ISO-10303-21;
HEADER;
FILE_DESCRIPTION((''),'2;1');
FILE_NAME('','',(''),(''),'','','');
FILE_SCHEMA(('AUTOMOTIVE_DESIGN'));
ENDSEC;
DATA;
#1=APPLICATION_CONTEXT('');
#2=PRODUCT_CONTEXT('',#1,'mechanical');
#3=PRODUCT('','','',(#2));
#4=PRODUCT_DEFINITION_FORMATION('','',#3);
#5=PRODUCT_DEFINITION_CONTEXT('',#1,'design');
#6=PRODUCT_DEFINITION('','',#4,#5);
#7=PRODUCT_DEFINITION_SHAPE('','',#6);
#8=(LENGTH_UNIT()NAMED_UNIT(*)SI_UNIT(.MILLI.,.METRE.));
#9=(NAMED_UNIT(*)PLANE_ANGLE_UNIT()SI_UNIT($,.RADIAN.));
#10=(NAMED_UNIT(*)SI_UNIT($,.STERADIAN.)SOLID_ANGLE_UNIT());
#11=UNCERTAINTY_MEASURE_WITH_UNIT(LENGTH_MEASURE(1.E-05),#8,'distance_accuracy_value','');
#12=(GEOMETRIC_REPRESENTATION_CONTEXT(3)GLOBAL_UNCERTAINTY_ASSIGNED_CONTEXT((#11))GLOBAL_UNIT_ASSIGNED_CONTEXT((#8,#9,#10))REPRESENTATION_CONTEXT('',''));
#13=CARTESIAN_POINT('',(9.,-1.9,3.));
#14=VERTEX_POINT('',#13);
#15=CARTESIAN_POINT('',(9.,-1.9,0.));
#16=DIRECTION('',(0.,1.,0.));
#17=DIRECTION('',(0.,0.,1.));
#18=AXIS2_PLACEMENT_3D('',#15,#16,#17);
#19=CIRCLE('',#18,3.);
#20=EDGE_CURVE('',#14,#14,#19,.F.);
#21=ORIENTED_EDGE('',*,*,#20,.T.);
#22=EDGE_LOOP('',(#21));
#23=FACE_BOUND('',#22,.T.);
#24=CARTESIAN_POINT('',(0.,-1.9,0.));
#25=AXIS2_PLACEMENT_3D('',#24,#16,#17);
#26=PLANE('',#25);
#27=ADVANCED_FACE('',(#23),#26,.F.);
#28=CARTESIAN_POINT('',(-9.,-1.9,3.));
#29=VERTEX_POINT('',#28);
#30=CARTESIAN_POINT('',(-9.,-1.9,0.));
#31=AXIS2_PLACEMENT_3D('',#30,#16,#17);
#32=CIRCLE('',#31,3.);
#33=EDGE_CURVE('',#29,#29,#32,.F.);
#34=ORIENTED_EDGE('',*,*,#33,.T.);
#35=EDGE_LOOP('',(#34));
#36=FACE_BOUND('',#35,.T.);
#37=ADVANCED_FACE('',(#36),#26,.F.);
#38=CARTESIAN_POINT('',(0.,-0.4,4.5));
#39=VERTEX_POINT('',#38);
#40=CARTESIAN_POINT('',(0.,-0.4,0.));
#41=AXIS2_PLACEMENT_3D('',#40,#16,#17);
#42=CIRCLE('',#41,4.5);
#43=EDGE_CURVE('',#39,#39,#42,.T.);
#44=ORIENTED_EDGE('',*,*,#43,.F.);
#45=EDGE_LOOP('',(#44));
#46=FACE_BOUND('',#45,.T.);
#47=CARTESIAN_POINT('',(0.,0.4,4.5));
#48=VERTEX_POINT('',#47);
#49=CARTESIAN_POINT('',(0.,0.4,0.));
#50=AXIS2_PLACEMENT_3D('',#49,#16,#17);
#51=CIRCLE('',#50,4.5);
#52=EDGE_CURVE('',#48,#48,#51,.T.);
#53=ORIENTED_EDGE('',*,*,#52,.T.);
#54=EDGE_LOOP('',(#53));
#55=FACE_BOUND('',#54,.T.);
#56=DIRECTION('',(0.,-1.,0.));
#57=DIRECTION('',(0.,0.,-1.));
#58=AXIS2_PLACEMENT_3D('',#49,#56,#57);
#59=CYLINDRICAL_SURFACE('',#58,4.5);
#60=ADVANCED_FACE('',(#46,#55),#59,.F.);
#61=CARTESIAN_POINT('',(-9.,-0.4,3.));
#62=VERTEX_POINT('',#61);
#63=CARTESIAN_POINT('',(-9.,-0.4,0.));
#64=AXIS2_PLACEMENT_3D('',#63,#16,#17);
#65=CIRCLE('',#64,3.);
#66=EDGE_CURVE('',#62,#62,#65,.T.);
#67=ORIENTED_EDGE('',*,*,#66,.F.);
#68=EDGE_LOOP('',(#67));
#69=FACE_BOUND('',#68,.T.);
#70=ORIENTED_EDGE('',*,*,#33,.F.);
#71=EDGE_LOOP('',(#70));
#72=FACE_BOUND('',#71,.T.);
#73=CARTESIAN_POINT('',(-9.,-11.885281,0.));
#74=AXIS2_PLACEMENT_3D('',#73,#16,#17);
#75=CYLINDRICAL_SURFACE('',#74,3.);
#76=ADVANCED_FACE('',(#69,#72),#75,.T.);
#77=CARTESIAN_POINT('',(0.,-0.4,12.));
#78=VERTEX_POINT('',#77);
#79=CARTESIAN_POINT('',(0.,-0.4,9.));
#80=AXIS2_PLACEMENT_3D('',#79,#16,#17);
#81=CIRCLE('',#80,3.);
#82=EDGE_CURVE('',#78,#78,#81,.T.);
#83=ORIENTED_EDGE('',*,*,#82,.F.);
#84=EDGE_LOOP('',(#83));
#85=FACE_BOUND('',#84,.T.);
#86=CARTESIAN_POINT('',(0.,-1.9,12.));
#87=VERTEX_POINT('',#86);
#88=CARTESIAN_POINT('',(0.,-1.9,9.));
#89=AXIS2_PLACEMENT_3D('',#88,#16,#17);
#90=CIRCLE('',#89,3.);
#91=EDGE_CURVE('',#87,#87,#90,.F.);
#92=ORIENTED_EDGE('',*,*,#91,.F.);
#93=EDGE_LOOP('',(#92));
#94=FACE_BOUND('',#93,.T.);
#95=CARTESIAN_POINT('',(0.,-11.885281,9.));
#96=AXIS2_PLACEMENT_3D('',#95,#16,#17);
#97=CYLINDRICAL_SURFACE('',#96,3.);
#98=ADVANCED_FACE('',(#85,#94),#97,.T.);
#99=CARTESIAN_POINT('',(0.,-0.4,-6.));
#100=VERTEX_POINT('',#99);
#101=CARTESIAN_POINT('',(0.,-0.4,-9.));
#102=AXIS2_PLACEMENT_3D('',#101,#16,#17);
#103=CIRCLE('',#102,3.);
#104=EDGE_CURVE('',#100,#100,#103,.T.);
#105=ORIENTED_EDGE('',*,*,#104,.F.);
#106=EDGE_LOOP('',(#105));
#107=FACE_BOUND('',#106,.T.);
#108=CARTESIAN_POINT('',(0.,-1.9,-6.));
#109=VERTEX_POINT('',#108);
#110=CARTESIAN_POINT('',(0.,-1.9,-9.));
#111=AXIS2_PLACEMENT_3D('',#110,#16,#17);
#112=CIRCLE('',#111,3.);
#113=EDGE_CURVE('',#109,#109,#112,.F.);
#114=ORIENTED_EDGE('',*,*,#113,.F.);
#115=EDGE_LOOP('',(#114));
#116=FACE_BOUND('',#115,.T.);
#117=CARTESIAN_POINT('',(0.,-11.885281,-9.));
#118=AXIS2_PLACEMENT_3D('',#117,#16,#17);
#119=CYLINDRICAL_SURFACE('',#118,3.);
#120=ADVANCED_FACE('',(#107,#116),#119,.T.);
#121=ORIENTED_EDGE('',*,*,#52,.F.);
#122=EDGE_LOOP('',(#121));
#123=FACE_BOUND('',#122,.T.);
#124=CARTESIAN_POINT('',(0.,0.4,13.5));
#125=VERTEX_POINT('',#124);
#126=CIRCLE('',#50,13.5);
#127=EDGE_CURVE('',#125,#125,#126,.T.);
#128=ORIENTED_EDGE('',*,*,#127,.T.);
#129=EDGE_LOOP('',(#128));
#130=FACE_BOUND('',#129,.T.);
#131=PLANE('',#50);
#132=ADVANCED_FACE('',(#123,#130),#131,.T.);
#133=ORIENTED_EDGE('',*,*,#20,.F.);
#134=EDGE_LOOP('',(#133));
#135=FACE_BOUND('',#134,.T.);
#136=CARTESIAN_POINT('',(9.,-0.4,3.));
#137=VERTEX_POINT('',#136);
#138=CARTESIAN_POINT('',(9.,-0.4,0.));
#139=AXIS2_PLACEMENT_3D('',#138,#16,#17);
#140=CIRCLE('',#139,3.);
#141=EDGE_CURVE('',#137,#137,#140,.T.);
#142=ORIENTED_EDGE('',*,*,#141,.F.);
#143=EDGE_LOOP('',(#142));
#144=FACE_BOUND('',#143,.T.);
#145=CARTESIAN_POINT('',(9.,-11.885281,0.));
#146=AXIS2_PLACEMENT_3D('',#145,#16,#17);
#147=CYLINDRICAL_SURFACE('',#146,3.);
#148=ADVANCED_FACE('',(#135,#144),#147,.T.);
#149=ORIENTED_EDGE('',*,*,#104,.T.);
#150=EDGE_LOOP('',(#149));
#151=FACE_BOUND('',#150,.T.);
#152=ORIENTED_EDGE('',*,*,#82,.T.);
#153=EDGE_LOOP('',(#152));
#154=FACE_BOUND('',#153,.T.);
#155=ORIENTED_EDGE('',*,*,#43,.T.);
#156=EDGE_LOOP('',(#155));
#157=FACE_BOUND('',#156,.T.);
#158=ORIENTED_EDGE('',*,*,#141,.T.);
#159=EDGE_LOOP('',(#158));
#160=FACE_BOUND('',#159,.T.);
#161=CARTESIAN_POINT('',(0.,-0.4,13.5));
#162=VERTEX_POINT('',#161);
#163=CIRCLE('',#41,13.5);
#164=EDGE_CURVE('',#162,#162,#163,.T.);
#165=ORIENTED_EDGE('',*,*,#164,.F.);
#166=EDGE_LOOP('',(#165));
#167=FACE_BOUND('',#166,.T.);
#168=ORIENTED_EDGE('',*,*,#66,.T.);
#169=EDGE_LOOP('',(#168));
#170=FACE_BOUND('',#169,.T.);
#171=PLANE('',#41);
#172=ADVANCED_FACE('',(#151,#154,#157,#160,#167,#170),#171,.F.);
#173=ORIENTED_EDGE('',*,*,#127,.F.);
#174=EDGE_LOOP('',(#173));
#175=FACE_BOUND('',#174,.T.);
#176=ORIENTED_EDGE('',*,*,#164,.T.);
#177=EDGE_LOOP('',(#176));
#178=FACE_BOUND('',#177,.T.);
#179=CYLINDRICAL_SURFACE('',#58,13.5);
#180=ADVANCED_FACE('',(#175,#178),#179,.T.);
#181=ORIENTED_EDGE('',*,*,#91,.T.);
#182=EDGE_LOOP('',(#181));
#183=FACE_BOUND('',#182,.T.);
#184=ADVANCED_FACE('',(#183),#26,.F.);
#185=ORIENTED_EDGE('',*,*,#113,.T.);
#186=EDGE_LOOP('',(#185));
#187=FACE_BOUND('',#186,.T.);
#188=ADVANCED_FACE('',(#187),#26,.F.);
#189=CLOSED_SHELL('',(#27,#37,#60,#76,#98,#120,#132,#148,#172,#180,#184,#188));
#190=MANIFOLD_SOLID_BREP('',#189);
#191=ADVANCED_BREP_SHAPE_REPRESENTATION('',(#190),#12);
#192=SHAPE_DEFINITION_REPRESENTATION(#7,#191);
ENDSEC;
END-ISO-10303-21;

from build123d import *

# Parameters (mm, degrees)
SKETCH1_R           = 13.5
SKETCH1_R_2         = 4.5
BOSS_EXTRUDE1_DEPTH = 0.4
SKETCH2_R           = 3
BOSS_EXTRUDE3_DEPTH = 1.9


with BuildPart() as part:
    # Sketch1 → Boss-Extrude1 (new, symmetric)
    with BuildSketch(Plane(origin=(0, 0, 0), x_dir=(1, 0, 0), z_dir=(0, 1, 0))):
        with Locations(Location((0, 0, 0), (0, 0, 270))):
            Circle(SKETCH1_R)
        with Locations(Location((0, 0, 0), (0, 0, 270))):
            Circle(SKETCH1_R_2, mode=Mode.SUBTRACT)
    extrude(amount=BOSS_EXTRUDE1_DEPTH, both=True)

    # Sketch2 → Boss-Extrude3 (add)
    with BuildSketch(Plane(origin=(0, 0, 0), x_dir=(1, 0, 0), z_dir=(0, 1, 0))):
        with Locations(Location((0, 9, 0), (0, 0, 270))):
            Circle(SKETCH2_R)
        with Locations(Location((9, 0, 0), (0, 0, 270))):
            Circle(SKETCH2_R)
        with Locations(Location((-9, 0, 0), (0, 0, 270))):
            Circle(SKETCH2_R)
        with Locations(Location((0, -9, 0), (0, 0, 270))):
            Circle(SKETCH2_R)
    extrude(amount=-BOSS_EXTRUDE3_DEPTH)


solid = part.part
